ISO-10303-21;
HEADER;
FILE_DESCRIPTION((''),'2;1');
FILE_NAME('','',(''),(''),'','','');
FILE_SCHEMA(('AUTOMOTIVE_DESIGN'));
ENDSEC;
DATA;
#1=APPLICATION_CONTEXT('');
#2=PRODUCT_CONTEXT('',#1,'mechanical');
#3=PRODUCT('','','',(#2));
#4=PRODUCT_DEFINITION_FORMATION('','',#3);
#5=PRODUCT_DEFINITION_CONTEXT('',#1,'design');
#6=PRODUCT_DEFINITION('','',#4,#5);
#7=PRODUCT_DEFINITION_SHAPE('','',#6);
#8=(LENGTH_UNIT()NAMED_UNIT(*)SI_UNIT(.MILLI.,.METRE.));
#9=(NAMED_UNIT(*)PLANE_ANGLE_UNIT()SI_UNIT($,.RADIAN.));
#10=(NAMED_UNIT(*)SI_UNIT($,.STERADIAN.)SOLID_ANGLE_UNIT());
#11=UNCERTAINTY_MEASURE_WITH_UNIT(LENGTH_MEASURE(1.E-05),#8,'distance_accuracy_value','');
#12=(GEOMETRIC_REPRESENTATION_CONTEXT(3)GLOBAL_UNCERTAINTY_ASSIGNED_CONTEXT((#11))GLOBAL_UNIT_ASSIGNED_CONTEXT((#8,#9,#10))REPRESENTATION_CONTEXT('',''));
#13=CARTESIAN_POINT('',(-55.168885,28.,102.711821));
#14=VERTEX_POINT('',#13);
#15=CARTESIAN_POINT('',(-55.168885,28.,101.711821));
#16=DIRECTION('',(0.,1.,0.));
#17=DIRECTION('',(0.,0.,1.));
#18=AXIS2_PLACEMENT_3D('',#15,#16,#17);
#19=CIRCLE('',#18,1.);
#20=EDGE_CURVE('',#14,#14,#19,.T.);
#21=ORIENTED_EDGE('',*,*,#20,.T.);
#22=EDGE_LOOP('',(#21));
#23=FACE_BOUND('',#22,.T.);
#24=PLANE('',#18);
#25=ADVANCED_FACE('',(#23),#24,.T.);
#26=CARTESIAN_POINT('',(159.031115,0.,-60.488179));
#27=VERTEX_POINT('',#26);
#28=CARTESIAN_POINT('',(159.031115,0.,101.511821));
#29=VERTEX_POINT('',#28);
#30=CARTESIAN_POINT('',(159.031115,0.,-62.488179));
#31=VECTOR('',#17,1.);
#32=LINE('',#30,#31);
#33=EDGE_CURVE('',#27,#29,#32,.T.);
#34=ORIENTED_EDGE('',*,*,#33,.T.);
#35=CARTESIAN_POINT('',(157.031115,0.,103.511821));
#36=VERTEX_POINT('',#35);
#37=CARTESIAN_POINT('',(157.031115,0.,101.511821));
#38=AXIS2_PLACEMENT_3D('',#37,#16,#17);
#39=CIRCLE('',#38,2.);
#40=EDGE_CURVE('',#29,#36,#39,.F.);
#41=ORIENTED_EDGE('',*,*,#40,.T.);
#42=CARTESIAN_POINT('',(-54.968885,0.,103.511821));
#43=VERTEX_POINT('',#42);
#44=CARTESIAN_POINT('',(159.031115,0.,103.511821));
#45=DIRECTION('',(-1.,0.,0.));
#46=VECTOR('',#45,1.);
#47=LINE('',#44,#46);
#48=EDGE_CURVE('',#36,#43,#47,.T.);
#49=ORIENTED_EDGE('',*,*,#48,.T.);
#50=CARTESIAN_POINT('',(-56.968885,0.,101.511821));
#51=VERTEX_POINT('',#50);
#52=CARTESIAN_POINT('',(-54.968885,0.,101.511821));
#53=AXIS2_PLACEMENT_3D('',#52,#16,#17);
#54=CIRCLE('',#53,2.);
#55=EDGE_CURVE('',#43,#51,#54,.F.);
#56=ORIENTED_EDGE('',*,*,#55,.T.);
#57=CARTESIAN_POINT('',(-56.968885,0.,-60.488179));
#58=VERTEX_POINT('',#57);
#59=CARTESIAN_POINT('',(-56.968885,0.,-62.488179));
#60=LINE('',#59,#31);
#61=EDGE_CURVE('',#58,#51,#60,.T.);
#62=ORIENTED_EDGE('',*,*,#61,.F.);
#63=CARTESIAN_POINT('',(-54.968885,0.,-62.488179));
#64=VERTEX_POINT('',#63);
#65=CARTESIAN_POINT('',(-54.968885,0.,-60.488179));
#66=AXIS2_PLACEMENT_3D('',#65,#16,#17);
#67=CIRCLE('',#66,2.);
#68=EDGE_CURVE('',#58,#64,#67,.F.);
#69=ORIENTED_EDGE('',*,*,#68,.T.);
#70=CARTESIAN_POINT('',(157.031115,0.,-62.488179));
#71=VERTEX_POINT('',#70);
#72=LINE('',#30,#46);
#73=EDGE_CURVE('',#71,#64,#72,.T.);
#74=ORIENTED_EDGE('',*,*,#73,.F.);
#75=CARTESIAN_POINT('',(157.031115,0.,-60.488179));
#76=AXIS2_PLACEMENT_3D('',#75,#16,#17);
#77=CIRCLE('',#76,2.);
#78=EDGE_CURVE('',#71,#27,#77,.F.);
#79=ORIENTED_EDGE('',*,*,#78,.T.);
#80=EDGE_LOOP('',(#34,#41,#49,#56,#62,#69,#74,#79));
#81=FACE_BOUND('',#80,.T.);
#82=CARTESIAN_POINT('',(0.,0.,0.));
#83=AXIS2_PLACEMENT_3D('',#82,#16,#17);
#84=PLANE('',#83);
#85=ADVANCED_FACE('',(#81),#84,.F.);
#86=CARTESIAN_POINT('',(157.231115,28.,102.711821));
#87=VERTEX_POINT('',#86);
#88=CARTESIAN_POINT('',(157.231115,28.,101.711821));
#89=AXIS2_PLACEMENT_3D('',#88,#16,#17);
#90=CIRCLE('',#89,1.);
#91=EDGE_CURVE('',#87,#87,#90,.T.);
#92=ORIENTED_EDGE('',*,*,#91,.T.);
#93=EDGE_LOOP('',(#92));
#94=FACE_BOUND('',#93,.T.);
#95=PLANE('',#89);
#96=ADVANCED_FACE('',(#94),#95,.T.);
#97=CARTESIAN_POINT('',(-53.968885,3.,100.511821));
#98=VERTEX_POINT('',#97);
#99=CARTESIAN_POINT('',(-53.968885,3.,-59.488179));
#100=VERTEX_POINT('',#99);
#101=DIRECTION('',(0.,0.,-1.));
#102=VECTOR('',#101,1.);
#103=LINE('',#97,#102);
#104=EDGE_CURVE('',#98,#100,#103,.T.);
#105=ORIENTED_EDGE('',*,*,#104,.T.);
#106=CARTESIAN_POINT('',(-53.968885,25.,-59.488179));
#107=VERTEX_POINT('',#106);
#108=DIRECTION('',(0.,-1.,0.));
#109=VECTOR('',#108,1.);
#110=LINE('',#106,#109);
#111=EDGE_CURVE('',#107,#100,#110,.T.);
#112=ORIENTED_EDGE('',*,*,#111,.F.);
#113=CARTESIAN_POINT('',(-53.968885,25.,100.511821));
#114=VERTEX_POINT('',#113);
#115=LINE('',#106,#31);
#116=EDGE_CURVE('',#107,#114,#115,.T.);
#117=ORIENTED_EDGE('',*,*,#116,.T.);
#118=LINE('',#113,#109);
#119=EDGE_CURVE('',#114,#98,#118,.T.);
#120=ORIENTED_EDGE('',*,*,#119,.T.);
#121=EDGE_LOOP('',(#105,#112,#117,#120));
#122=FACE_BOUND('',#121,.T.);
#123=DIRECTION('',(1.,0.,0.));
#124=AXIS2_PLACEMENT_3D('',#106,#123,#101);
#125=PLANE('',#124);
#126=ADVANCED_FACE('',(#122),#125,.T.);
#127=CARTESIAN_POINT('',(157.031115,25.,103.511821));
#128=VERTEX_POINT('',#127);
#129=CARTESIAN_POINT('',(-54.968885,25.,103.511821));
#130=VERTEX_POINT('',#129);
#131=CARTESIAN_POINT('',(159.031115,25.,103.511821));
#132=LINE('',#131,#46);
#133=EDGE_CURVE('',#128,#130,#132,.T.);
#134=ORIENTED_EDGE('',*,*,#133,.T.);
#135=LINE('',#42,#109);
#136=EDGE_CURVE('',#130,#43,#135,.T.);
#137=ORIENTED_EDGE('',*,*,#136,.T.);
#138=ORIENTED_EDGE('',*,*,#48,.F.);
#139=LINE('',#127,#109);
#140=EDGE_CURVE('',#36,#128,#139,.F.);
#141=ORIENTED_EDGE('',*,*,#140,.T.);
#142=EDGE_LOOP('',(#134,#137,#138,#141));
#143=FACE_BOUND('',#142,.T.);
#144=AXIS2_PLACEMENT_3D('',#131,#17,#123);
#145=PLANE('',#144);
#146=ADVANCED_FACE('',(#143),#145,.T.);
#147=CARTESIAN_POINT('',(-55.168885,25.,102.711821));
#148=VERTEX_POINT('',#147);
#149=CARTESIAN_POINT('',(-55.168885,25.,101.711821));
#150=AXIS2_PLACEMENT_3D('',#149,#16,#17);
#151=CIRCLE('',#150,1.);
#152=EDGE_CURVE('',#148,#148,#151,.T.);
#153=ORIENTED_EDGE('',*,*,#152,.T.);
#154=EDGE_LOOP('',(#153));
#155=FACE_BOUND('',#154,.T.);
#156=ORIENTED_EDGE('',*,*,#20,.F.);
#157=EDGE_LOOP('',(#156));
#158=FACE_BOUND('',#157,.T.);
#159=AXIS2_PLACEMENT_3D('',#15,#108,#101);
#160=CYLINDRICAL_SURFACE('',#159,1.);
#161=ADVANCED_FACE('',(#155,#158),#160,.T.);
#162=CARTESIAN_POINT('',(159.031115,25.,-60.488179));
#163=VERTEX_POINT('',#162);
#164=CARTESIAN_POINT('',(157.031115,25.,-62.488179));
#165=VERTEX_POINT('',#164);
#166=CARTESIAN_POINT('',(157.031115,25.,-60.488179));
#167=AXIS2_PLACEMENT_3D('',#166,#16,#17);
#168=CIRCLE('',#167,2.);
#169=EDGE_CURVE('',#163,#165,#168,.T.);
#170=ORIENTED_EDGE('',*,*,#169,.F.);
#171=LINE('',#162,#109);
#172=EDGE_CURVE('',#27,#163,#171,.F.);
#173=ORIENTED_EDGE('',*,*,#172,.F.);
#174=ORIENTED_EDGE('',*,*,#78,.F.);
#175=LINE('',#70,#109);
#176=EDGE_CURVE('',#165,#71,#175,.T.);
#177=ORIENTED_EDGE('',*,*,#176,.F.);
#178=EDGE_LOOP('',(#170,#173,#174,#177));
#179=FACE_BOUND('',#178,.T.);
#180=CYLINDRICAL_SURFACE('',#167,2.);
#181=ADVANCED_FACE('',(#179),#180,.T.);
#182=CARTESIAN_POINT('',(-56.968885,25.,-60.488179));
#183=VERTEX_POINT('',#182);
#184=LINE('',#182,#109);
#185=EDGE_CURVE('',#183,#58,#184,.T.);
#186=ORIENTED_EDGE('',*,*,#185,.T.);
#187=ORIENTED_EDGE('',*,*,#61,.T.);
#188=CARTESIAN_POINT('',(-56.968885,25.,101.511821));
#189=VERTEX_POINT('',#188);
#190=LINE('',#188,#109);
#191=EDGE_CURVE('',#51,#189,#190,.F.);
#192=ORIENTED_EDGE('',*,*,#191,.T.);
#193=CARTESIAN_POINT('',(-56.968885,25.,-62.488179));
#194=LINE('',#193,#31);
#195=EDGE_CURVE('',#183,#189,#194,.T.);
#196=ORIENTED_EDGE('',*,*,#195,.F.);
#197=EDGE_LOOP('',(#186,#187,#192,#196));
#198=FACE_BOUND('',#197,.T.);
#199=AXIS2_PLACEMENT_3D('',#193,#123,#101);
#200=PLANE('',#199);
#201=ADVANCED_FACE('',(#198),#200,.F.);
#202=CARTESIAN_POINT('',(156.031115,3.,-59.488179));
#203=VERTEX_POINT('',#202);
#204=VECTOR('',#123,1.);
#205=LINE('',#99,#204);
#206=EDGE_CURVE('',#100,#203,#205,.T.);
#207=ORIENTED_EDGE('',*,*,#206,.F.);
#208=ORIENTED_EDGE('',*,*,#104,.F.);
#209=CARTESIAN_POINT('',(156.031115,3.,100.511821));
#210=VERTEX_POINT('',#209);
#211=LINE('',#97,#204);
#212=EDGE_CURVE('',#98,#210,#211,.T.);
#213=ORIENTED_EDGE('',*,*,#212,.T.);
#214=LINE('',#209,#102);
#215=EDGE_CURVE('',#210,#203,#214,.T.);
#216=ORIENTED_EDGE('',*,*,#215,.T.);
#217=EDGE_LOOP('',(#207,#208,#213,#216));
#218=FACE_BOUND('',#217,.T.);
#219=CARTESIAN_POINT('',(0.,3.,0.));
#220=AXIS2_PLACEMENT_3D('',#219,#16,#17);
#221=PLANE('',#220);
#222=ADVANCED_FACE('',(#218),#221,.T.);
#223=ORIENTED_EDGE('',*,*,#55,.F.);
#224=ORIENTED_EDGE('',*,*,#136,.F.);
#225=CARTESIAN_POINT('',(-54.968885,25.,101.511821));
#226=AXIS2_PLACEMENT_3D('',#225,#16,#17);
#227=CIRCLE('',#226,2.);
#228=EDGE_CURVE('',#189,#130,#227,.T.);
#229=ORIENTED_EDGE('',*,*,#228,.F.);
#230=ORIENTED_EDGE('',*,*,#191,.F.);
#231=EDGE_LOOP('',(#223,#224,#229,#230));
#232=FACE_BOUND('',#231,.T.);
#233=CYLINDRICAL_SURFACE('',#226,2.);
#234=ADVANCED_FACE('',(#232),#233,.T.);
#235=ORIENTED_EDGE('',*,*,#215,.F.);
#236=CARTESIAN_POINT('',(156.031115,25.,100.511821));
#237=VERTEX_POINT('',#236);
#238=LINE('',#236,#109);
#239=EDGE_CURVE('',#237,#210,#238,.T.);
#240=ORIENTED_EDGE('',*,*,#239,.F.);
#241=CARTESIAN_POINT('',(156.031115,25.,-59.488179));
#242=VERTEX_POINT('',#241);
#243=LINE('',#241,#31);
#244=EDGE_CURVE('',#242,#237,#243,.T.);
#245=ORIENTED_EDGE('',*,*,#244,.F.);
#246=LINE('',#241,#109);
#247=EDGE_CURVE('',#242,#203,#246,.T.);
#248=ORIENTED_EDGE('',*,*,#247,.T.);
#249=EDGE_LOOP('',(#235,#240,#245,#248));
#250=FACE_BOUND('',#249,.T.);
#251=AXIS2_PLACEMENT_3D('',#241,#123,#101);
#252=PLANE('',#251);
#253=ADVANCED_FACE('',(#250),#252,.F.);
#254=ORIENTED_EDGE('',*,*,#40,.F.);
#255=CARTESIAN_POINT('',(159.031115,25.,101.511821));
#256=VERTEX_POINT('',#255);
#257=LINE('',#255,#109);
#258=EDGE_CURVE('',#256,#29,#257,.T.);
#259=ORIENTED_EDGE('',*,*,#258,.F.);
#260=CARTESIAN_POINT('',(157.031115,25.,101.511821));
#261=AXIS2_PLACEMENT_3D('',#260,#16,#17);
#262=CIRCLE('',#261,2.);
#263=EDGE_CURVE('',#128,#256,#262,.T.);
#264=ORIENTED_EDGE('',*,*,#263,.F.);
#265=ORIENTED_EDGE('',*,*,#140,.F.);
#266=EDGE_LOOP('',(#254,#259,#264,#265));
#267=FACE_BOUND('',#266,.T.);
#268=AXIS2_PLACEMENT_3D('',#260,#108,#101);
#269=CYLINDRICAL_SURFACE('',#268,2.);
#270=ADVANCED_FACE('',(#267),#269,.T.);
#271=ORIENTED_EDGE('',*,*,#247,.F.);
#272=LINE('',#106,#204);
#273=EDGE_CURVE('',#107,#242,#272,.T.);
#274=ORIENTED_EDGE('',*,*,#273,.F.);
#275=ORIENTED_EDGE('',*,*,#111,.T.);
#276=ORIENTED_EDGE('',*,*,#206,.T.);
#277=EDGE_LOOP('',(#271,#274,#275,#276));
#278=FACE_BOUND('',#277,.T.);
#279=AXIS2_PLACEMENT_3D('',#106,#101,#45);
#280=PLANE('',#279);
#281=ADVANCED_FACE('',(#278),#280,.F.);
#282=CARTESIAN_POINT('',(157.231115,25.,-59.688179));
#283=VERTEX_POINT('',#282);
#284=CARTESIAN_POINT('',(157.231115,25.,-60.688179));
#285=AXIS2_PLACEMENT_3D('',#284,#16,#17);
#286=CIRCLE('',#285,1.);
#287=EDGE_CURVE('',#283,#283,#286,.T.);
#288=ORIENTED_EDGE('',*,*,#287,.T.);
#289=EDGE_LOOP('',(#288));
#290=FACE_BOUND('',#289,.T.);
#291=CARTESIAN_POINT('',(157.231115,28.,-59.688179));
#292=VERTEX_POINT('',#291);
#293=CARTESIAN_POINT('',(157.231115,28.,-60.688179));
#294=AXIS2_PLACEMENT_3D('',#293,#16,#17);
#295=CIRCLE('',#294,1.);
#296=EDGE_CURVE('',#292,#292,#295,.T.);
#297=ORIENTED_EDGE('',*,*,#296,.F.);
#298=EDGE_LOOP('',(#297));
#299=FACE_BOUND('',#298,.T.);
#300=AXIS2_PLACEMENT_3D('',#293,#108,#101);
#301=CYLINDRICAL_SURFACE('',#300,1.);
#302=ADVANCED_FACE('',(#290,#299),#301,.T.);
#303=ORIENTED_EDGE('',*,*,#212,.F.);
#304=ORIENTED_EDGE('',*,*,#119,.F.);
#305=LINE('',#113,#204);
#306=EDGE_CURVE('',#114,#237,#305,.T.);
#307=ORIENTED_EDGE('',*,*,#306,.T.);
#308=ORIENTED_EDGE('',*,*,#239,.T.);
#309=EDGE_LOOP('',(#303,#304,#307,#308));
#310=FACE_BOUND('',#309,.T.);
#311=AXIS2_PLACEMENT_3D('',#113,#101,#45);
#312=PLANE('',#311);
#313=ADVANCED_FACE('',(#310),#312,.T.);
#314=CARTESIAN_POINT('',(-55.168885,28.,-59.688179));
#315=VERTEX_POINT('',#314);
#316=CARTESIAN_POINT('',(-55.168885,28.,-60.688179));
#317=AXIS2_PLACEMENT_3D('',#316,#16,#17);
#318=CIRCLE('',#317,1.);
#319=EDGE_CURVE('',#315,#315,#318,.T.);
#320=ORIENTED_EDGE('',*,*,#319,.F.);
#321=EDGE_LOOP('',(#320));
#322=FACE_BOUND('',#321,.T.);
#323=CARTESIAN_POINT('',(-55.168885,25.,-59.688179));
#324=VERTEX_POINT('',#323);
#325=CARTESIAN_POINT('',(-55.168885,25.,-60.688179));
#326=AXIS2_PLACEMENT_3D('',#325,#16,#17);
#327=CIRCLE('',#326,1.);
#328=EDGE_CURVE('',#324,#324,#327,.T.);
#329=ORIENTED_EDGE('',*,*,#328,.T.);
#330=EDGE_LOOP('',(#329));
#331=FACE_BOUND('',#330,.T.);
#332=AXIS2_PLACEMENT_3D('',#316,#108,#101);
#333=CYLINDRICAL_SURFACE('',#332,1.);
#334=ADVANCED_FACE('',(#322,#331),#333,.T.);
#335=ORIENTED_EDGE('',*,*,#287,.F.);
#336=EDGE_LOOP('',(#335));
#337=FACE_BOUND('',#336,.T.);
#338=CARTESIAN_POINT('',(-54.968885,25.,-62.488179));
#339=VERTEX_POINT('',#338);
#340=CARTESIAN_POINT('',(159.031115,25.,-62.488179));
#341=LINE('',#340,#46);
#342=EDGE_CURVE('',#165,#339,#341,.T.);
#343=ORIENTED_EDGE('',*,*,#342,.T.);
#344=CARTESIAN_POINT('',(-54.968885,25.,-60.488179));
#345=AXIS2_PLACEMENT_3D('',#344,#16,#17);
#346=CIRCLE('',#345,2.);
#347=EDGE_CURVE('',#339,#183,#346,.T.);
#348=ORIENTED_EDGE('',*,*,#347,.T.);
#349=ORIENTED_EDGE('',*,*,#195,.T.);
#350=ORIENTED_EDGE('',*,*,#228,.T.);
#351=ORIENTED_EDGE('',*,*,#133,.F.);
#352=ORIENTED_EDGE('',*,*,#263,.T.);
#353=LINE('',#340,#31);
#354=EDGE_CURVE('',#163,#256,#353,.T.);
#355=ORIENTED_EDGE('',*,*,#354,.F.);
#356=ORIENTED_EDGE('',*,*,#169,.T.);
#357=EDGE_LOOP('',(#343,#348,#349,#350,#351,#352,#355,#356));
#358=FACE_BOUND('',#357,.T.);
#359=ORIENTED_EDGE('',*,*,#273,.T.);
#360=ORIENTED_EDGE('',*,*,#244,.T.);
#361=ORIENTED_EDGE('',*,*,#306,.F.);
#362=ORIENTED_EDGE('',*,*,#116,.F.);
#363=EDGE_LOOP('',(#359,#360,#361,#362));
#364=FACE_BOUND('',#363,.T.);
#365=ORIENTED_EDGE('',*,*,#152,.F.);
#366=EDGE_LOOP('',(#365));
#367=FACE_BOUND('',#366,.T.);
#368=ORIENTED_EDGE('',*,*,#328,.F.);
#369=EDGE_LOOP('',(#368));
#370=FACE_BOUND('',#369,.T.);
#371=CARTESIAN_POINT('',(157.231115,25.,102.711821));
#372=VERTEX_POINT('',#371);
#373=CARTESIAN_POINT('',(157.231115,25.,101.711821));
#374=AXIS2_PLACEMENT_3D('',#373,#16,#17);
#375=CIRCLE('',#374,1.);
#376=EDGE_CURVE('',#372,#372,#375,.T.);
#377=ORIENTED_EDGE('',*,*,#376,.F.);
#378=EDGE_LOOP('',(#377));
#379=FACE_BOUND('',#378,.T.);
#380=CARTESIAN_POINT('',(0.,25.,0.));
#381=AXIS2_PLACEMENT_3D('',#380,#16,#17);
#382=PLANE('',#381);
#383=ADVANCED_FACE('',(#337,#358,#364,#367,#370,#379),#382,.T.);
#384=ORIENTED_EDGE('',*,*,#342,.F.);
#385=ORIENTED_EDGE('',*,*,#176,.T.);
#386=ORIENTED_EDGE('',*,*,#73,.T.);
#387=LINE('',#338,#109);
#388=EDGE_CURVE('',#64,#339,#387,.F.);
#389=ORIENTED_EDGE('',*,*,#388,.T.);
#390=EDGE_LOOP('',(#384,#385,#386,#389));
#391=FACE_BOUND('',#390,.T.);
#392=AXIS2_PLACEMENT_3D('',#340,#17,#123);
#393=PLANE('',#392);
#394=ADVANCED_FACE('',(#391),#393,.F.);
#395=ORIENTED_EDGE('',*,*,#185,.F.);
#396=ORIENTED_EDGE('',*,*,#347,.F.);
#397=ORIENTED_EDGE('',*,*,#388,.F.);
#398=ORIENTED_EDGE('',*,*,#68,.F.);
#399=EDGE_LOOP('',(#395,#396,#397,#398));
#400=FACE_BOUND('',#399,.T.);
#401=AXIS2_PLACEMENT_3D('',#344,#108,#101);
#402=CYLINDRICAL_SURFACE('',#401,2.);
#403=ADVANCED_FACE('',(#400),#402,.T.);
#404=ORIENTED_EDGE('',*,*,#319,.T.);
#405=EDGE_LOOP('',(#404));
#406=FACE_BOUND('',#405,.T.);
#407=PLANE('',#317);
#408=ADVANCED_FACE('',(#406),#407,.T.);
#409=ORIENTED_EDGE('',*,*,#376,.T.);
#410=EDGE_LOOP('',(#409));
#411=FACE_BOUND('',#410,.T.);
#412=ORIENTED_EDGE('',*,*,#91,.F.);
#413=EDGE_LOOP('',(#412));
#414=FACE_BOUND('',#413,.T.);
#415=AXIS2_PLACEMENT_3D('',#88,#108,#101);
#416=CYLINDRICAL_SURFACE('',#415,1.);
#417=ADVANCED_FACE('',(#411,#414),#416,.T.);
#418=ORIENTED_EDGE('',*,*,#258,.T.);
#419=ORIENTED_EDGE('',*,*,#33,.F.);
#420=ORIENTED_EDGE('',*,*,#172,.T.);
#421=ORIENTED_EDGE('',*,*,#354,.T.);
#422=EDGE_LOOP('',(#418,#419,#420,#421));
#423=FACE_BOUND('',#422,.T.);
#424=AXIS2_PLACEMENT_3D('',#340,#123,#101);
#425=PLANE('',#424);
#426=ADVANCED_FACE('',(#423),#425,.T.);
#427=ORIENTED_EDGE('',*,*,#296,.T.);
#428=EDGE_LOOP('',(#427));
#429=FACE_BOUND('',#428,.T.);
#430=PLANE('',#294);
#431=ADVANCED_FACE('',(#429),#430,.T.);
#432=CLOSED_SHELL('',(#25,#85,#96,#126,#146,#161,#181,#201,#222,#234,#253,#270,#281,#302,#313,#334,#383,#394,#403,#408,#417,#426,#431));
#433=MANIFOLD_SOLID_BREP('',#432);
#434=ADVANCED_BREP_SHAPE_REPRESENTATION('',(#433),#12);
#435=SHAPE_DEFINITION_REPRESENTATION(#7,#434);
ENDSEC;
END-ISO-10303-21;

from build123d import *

# Parameters (mm, degrees)
ESQUISSE2_W         = 216
ESQUISSE2_H         = 166
ESQUISSE2_W_2       = 210
ESQUISSE2_H_2       = 160
BOSS_EXTRU_1_DEPTH  = 25
ESQUISSE4_W         = 210
ESQUISSE4_H         = 160
BOSS_EXTRU_3_DEPTH  = 3
CONG_2_R            = 2
CONG_3_R            = 2
CONG_4_R            = 2
CONG_5_R            = 2
ESQUISSE19_R        = 1
BOSS_EXTRU_8_DEPTH  = 3
ESQUISSE18_R        = 1
BOSS_EXTRU_9_DEPTH  = 3
ESQUISSE17_R        = 1
BOSS_EXTRU_10_DEPTH = 3
ESQUISSE14_R        = 1
BOSS_EXTRU_11_DEPTH = 3


with BuildPart() as part:
    # Esquisse2 → Boss.-Extru.1 (new body)
    with BuildSketch(Plane(origin=(0, 0, 0), x_dir=(1, 0, 0), z_dir=(0, 1, 0))):
        with Locations((51.031114613, -20.511820558)):
            Rectangle(ESQUISSE2_W, ESQUISSE2_H)
        with Locations((51.031114613, -20.511820558)):
            Rectangle(ESQUISSE2_W_2, ESQUISSE2_H_2, mode=Mode.SUBTRACT)
    extrude(amount=BOSS_EXTRU_1_DEPTH)

    # Esquisse4 → Boss.-Extru.3 (add)
    with BuildSketch(Plane(origin=(0, 0, 0), x_dir=(1, 0, 0), z_dir=(0, 1, 0))):
        with Locations((51.031114613, -20.511820558)):
            Rectangle(ESQUISSE4_W, ESQUISSE4_H)
    extrude(amount=BOSS_EXTRU_3_DEPTH)

    # Congé2
    cong_2_edges = [part.edges().sort_by_distance(p)[0] for p in [
        (159.031114613, 12.5, -62.488179442),
    ]]
    fillet(cong_2_edges, radius=CONG_2_R)

    # Congé3
    cong_3_edges = [part.edges().sort_by_distance(p)[0] for p in [
        (159.031114613, 12.5, 103.511820558),
    ]]
    fillet(cong_3_edges, radius=CONG_3_R)

    # Congé4
    cong_4_edges = [part.edges().sort_by_distance(p)[0] for p in [
        (-56.968885387, 12.5, 103.511820558),
    ]]
    fillet(cong_4_edges, radius=CONG_4_R)

    # Congé5
    cong_5_edges = [part.edges().sort_by_distance(p)[0] for p in [
        (-56.968885387, 12.5, -62.488179442),
    ]]
    fillet(cong_5_edges, radius=CONG_5_R)

    # Esquisse19 → Boss.-Extru.8 (add)
    with BuildSketch(Plane(origin=(0, 25, 0), x_dir=(1, 0, 0), z_dir=(0, 1, 0))):
        with Locations((-55.168885387, 60.688179442)):
            Circle(ESQUISSE19_R)
    extrude(amount=BOSS_EXTRU_8_DEPTH)

    # Esquisse18 → Boss.-Extru.9 (add)
    with BuildSketch(Plane(origin=(0, 25, 0), x_dir=(1, 0, 0), z_dir=(0, 1, 0))):
        with Locations((-55.168885387, -101.711820558)):
            Circle(ESQUISSE18_R)
    extrude(amount=BOSS_EXTRU_9_DEPTH)

    # Esquisse17 → Boss.-Extru.10 (add)
    with BuildSketch(Plane(origin=(0, 25, 0), x_dir=(1, 0, 0), z_dir=(0, 1, 0))):
        with Locations((157.231114613, -101.711820558)):
            Circle(ESQUISSE17_R)
    extrude(amount=BOSS_EXTRU_10_DEPTH)

    # Esquisse14 → Boss.-Extru.11 (add)
    with BuildSketch(Plane(origin=(0, 25, 0), x_dir=(1, 0, 0), z_dir=(0, 1, 0))):
        with Locations((157.231114613, 60.688179442)):
            Circle(ESQUISSE14_R)
    extrude(amount=BOSS_EXTRU_11_DEPTH)


solid = part.part
